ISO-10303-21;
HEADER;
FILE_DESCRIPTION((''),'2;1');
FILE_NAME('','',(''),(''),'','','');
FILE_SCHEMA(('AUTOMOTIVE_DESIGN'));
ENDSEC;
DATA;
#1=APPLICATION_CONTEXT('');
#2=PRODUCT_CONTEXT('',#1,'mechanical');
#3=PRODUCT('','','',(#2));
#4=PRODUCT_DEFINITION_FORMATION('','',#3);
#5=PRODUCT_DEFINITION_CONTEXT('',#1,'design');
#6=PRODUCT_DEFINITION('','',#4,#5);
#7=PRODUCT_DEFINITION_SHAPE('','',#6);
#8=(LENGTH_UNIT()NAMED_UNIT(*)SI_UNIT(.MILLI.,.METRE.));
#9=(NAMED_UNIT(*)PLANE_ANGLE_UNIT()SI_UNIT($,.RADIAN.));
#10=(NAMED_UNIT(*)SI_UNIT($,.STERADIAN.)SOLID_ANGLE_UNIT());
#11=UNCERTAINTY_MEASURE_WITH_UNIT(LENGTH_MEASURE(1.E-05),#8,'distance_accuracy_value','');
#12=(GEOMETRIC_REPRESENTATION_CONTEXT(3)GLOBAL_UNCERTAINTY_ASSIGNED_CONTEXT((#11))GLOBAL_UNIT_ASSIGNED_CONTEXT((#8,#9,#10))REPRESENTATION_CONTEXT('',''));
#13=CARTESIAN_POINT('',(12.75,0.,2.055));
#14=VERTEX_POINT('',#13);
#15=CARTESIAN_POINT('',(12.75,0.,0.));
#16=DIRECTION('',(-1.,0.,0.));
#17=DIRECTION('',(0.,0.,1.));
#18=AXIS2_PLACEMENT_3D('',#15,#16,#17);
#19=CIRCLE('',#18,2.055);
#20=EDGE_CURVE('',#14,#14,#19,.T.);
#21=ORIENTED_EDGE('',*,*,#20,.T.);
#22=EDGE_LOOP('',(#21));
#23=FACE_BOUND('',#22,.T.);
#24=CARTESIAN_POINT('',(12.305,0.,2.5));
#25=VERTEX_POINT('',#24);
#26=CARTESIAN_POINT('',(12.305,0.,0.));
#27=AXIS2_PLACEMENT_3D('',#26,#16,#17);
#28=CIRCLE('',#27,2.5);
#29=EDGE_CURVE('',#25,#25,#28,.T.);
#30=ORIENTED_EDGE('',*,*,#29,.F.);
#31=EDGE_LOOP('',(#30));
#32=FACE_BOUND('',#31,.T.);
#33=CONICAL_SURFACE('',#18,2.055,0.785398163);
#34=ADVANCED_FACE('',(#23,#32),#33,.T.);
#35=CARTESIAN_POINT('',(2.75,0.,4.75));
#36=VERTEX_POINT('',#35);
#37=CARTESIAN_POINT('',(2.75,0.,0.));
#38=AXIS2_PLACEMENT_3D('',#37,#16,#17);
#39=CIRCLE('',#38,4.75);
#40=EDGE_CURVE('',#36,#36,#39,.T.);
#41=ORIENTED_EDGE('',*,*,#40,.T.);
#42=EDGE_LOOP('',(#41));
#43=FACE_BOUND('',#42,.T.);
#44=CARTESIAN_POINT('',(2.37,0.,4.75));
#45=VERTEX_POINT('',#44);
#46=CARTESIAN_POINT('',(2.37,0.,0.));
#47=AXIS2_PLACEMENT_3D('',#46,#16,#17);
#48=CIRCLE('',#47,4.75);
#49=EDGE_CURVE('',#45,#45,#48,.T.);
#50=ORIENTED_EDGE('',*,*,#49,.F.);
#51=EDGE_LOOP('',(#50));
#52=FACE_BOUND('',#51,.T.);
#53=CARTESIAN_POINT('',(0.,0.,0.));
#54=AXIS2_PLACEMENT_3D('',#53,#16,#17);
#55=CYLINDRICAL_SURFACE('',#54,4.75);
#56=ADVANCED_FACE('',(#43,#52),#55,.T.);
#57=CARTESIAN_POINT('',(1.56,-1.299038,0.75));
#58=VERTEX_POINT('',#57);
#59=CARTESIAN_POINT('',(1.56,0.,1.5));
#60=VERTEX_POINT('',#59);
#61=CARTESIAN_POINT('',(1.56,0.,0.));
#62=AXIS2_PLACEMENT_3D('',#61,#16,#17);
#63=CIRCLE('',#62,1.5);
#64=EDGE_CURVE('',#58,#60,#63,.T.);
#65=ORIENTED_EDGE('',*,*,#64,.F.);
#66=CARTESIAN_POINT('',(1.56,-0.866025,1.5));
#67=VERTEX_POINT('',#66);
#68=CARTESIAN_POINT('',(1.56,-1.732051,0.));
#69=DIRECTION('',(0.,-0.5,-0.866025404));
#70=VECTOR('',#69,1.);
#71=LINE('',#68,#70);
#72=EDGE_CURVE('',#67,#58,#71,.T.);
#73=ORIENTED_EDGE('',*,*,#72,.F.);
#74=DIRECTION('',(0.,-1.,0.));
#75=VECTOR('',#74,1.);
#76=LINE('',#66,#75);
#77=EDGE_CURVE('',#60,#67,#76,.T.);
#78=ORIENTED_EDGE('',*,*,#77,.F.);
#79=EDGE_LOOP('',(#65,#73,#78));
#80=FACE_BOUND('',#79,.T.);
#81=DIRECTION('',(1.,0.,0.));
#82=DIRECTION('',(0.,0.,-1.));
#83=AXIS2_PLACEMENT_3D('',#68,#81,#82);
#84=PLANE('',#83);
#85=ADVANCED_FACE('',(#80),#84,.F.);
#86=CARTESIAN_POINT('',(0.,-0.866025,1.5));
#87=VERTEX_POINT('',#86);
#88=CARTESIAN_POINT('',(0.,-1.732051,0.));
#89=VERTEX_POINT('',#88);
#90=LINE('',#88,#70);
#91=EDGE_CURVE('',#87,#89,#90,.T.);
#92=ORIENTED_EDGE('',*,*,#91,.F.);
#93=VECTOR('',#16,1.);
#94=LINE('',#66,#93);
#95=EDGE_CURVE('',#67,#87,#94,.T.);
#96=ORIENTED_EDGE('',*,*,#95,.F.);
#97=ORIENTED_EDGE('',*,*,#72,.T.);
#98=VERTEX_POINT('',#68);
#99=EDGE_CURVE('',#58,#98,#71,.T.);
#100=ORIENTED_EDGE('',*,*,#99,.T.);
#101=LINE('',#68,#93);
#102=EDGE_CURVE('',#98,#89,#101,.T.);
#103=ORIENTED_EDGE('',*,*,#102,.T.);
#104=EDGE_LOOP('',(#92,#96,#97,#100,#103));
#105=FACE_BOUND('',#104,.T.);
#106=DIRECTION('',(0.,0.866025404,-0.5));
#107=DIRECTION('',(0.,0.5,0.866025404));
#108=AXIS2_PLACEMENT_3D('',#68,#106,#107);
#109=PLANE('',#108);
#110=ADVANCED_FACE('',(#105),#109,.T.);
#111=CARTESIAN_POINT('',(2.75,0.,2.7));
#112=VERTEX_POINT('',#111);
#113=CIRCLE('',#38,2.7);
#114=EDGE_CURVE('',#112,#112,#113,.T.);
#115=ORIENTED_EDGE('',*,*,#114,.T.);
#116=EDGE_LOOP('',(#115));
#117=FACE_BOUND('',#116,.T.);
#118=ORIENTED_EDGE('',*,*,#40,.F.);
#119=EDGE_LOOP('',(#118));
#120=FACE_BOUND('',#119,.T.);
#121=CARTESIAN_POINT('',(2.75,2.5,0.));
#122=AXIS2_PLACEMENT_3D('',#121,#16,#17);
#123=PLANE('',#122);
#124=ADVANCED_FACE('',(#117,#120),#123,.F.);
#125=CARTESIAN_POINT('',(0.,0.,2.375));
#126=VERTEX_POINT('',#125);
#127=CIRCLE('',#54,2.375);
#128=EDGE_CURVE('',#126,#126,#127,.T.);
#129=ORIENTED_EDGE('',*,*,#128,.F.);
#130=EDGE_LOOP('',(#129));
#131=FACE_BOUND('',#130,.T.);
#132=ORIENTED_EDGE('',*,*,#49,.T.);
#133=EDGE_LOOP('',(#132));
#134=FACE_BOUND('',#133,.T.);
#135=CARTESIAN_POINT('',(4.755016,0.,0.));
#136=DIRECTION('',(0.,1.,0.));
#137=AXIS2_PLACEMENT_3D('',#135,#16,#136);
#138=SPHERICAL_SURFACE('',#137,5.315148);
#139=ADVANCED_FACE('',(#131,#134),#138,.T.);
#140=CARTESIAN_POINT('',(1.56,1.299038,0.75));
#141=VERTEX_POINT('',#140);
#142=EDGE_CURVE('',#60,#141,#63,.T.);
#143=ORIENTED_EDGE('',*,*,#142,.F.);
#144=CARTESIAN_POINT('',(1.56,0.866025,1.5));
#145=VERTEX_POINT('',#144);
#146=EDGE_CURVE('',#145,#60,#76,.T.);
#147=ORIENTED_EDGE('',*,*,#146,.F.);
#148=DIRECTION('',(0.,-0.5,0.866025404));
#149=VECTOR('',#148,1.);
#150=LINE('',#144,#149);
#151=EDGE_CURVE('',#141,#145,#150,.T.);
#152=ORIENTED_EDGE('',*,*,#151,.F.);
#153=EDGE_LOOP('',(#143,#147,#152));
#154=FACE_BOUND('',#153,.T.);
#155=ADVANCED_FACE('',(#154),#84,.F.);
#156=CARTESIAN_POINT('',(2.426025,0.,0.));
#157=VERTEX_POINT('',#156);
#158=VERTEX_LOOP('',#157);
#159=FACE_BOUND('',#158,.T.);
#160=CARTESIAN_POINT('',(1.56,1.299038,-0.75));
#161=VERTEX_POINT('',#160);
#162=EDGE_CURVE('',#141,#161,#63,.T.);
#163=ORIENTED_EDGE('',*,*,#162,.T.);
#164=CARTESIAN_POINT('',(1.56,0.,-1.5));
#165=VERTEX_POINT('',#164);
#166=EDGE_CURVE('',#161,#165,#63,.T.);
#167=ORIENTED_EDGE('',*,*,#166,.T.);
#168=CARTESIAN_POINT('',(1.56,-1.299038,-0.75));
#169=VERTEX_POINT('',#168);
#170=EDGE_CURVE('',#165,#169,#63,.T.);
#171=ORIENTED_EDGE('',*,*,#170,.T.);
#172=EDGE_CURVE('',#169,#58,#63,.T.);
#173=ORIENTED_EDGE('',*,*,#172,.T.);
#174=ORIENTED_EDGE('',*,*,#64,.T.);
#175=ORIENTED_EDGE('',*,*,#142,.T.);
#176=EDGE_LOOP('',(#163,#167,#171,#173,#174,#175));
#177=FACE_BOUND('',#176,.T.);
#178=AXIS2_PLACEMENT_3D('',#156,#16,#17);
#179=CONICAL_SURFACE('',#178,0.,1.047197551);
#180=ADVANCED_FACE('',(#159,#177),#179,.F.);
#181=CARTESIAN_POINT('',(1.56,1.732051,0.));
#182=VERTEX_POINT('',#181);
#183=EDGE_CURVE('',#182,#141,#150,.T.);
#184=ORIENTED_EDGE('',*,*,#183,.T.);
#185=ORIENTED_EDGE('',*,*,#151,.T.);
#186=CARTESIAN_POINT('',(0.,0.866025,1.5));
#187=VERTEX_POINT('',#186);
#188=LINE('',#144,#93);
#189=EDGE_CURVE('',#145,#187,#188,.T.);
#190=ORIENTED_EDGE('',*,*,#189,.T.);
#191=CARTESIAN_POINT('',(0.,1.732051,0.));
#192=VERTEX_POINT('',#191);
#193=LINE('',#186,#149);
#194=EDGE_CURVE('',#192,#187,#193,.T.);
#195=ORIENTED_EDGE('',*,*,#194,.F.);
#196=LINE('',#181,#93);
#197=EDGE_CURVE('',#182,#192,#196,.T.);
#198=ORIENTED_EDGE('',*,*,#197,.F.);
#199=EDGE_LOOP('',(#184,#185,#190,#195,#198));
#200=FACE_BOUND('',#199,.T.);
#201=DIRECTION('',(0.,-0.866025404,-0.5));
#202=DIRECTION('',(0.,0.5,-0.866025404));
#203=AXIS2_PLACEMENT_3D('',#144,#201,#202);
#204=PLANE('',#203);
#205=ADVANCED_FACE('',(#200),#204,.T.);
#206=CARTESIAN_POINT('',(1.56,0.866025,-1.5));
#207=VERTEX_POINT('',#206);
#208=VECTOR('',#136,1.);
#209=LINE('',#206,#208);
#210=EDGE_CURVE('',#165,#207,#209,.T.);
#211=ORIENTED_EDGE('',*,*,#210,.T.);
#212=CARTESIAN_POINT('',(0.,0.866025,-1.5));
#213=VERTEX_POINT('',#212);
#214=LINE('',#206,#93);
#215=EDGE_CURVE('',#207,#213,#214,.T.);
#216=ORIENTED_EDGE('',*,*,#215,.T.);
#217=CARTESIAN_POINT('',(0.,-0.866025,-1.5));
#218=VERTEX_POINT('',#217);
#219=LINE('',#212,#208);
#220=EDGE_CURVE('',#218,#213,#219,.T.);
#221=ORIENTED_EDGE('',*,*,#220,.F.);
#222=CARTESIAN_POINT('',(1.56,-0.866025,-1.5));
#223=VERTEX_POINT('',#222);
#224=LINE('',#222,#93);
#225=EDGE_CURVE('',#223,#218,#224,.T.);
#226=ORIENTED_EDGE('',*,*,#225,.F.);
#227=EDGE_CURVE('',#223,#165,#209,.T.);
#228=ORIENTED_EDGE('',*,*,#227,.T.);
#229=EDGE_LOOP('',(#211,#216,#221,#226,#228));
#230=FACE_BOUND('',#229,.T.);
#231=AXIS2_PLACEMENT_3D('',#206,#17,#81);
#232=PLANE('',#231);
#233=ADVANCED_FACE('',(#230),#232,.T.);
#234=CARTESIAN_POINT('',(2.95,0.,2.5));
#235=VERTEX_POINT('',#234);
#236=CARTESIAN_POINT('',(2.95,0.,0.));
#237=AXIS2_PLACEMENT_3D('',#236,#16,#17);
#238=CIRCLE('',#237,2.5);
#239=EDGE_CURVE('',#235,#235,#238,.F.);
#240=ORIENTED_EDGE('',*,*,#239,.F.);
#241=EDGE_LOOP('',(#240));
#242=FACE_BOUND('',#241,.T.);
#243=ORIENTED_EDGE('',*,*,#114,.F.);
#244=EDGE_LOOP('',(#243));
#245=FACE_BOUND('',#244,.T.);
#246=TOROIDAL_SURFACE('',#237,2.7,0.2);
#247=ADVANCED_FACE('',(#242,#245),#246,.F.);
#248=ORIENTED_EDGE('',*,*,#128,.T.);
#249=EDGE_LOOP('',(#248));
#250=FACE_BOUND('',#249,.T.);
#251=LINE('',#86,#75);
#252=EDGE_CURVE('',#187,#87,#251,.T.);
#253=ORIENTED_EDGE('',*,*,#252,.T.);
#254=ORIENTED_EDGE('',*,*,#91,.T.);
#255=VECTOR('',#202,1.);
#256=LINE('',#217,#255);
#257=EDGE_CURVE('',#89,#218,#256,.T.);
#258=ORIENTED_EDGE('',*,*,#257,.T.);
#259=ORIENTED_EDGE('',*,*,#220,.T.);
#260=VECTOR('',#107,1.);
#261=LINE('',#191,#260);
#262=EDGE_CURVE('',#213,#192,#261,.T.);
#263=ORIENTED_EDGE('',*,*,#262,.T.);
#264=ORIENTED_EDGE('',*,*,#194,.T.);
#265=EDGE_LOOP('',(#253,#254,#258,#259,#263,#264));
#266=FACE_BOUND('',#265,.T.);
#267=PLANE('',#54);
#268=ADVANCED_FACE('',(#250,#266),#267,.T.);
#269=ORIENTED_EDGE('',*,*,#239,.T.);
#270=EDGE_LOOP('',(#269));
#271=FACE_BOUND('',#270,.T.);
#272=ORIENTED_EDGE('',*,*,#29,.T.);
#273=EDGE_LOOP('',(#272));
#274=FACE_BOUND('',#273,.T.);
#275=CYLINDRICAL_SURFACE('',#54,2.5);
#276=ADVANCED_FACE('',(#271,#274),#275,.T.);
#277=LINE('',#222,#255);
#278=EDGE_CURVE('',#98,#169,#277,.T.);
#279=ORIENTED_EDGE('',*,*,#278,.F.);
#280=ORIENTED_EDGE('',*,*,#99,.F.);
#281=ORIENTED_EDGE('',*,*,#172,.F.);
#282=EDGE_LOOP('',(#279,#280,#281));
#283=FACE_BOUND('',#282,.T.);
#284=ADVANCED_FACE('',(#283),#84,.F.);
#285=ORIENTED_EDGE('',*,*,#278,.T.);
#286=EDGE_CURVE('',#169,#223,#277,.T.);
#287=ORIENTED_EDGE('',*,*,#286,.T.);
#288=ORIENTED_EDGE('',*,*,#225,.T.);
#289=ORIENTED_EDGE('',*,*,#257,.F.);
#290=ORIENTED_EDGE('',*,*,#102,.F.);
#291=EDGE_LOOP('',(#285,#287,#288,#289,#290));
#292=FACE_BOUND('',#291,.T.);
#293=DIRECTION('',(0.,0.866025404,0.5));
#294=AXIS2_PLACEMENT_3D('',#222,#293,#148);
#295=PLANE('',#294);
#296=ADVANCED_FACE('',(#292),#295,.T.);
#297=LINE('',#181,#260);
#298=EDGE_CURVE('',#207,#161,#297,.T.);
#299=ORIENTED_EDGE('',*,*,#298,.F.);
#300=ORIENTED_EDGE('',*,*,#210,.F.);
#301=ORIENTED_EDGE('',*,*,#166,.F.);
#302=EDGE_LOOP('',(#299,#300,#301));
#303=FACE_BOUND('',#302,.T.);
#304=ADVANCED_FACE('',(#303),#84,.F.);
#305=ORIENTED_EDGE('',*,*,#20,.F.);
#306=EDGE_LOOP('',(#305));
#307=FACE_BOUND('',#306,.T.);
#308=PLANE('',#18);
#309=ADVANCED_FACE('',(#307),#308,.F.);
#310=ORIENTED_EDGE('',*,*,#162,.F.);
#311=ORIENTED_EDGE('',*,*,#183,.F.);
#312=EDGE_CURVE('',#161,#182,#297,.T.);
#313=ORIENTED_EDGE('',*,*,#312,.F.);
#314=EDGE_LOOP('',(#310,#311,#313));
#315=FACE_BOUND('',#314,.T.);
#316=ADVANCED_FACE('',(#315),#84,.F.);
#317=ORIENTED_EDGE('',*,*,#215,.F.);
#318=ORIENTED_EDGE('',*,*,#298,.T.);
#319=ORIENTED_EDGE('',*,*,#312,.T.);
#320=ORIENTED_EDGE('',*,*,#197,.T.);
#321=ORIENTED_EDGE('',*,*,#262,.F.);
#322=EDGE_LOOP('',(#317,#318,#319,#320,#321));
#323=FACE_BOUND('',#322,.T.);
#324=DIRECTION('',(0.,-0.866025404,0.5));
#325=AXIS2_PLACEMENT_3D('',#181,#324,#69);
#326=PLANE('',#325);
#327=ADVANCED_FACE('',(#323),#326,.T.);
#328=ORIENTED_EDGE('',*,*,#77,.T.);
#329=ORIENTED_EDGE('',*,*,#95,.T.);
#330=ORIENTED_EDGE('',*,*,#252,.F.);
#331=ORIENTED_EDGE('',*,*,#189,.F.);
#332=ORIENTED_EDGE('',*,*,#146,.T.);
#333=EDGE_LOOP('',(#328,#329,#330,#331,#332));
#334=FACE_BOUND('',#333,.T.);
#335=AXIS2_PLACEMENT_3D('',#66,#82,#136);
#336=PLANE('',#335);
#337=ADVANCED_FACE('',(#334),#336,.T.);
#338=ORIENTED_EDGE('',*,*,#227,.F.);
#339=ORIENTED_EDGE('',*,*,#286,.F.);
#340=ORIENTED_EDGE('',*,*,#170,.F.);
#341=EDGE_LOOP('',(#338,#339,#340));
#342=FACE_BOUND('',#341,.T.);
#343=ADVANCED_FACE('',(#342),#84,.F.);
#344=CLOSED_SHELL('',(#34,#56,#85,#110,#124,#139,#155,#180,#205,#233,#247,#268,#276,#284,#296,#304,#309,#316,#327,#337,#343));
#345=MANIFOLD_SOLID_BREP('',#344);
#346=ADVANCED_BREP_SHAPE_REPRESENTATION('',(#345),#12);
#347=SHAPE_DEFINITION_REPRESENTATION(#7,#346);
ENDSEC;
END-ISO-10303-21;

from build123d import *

# Parameters (mm, degrees)
FILLET1_R   = 0.2
HEX_2_DEPTH = 1.56


with BuildPart() as part:
    # BodySke → BaseBody (revolve)
    with BuildSketch(Plane.XY, mode=Mode.PRIVATE) as basebody_sk:
        with BuildLine():
            Line((12.75, 0), (12.75, 2.055))
            Line((12.75, 2.055), (12.305, 2.5))
            Line((12.305, 2.5), (2.75, 2.5))
            Line((2.75, 2.5), (2.75, 4.75))
            Line((2.75, 4.75), (2.37, 4.75))
            ThreePointArc((2.37, 4.75), (0.992680215, 3.754414901), (0, 2.375))
            Line((0, 2.375), (0, 0))
            Line((0, 0), (12.75, 0))
        make_face()
    revolve(basebody_sk.sketch.rotate(Axis((0, 0, 0), (1, 0, 0)), 90), axis=Axis((0, 0, 0), (1, 0, 0)))  # turned: the seam where the file's is

    # Fillet1
    fillet1_edges = [part.edges().sort_by_distance(p)[0] for p in [
        (2.75, 0, -2.5),
    ]]
    fillet(fillet1_edges, radius=FILLET1_R)

    # Sketch2 → PreBroach (revolve, cut)
    with BuildSketch(Plane.XY, mode=Mode.PRIVATE) as prebroach_sk:
        Polygon((0, 1.5), (1.56, 1.5), (2.426025404, 0), (0, 0), align=None)
    revolve(prebroach_sk.sketch.rotate(Axis((0, 0, 0), (1, 0, 0)), 90), axis=Axis((0, 0, 0), (1, 0, 0)), mode=Mode.SUBTRACT)  # turned: the seam where the file's is

    # Sketch3 → Hex 2 (cut)
    with BuildSketch(Plane(origin=(0, 0, 0), x_dir=(0, 0, -1), z_dir=(1, 0, 0))):
        Polygon((-1.5, -0.866025404), (-1.5, 0.866025404), (0, 1.732050808), (1.5, 0.866025404), (1.5, -0.866025404), (0, -1.732050808), align=None)
    extrude(amount=HEX_2_DEPTH, mode=Mode.SUBTRACT)


solid = part.part
